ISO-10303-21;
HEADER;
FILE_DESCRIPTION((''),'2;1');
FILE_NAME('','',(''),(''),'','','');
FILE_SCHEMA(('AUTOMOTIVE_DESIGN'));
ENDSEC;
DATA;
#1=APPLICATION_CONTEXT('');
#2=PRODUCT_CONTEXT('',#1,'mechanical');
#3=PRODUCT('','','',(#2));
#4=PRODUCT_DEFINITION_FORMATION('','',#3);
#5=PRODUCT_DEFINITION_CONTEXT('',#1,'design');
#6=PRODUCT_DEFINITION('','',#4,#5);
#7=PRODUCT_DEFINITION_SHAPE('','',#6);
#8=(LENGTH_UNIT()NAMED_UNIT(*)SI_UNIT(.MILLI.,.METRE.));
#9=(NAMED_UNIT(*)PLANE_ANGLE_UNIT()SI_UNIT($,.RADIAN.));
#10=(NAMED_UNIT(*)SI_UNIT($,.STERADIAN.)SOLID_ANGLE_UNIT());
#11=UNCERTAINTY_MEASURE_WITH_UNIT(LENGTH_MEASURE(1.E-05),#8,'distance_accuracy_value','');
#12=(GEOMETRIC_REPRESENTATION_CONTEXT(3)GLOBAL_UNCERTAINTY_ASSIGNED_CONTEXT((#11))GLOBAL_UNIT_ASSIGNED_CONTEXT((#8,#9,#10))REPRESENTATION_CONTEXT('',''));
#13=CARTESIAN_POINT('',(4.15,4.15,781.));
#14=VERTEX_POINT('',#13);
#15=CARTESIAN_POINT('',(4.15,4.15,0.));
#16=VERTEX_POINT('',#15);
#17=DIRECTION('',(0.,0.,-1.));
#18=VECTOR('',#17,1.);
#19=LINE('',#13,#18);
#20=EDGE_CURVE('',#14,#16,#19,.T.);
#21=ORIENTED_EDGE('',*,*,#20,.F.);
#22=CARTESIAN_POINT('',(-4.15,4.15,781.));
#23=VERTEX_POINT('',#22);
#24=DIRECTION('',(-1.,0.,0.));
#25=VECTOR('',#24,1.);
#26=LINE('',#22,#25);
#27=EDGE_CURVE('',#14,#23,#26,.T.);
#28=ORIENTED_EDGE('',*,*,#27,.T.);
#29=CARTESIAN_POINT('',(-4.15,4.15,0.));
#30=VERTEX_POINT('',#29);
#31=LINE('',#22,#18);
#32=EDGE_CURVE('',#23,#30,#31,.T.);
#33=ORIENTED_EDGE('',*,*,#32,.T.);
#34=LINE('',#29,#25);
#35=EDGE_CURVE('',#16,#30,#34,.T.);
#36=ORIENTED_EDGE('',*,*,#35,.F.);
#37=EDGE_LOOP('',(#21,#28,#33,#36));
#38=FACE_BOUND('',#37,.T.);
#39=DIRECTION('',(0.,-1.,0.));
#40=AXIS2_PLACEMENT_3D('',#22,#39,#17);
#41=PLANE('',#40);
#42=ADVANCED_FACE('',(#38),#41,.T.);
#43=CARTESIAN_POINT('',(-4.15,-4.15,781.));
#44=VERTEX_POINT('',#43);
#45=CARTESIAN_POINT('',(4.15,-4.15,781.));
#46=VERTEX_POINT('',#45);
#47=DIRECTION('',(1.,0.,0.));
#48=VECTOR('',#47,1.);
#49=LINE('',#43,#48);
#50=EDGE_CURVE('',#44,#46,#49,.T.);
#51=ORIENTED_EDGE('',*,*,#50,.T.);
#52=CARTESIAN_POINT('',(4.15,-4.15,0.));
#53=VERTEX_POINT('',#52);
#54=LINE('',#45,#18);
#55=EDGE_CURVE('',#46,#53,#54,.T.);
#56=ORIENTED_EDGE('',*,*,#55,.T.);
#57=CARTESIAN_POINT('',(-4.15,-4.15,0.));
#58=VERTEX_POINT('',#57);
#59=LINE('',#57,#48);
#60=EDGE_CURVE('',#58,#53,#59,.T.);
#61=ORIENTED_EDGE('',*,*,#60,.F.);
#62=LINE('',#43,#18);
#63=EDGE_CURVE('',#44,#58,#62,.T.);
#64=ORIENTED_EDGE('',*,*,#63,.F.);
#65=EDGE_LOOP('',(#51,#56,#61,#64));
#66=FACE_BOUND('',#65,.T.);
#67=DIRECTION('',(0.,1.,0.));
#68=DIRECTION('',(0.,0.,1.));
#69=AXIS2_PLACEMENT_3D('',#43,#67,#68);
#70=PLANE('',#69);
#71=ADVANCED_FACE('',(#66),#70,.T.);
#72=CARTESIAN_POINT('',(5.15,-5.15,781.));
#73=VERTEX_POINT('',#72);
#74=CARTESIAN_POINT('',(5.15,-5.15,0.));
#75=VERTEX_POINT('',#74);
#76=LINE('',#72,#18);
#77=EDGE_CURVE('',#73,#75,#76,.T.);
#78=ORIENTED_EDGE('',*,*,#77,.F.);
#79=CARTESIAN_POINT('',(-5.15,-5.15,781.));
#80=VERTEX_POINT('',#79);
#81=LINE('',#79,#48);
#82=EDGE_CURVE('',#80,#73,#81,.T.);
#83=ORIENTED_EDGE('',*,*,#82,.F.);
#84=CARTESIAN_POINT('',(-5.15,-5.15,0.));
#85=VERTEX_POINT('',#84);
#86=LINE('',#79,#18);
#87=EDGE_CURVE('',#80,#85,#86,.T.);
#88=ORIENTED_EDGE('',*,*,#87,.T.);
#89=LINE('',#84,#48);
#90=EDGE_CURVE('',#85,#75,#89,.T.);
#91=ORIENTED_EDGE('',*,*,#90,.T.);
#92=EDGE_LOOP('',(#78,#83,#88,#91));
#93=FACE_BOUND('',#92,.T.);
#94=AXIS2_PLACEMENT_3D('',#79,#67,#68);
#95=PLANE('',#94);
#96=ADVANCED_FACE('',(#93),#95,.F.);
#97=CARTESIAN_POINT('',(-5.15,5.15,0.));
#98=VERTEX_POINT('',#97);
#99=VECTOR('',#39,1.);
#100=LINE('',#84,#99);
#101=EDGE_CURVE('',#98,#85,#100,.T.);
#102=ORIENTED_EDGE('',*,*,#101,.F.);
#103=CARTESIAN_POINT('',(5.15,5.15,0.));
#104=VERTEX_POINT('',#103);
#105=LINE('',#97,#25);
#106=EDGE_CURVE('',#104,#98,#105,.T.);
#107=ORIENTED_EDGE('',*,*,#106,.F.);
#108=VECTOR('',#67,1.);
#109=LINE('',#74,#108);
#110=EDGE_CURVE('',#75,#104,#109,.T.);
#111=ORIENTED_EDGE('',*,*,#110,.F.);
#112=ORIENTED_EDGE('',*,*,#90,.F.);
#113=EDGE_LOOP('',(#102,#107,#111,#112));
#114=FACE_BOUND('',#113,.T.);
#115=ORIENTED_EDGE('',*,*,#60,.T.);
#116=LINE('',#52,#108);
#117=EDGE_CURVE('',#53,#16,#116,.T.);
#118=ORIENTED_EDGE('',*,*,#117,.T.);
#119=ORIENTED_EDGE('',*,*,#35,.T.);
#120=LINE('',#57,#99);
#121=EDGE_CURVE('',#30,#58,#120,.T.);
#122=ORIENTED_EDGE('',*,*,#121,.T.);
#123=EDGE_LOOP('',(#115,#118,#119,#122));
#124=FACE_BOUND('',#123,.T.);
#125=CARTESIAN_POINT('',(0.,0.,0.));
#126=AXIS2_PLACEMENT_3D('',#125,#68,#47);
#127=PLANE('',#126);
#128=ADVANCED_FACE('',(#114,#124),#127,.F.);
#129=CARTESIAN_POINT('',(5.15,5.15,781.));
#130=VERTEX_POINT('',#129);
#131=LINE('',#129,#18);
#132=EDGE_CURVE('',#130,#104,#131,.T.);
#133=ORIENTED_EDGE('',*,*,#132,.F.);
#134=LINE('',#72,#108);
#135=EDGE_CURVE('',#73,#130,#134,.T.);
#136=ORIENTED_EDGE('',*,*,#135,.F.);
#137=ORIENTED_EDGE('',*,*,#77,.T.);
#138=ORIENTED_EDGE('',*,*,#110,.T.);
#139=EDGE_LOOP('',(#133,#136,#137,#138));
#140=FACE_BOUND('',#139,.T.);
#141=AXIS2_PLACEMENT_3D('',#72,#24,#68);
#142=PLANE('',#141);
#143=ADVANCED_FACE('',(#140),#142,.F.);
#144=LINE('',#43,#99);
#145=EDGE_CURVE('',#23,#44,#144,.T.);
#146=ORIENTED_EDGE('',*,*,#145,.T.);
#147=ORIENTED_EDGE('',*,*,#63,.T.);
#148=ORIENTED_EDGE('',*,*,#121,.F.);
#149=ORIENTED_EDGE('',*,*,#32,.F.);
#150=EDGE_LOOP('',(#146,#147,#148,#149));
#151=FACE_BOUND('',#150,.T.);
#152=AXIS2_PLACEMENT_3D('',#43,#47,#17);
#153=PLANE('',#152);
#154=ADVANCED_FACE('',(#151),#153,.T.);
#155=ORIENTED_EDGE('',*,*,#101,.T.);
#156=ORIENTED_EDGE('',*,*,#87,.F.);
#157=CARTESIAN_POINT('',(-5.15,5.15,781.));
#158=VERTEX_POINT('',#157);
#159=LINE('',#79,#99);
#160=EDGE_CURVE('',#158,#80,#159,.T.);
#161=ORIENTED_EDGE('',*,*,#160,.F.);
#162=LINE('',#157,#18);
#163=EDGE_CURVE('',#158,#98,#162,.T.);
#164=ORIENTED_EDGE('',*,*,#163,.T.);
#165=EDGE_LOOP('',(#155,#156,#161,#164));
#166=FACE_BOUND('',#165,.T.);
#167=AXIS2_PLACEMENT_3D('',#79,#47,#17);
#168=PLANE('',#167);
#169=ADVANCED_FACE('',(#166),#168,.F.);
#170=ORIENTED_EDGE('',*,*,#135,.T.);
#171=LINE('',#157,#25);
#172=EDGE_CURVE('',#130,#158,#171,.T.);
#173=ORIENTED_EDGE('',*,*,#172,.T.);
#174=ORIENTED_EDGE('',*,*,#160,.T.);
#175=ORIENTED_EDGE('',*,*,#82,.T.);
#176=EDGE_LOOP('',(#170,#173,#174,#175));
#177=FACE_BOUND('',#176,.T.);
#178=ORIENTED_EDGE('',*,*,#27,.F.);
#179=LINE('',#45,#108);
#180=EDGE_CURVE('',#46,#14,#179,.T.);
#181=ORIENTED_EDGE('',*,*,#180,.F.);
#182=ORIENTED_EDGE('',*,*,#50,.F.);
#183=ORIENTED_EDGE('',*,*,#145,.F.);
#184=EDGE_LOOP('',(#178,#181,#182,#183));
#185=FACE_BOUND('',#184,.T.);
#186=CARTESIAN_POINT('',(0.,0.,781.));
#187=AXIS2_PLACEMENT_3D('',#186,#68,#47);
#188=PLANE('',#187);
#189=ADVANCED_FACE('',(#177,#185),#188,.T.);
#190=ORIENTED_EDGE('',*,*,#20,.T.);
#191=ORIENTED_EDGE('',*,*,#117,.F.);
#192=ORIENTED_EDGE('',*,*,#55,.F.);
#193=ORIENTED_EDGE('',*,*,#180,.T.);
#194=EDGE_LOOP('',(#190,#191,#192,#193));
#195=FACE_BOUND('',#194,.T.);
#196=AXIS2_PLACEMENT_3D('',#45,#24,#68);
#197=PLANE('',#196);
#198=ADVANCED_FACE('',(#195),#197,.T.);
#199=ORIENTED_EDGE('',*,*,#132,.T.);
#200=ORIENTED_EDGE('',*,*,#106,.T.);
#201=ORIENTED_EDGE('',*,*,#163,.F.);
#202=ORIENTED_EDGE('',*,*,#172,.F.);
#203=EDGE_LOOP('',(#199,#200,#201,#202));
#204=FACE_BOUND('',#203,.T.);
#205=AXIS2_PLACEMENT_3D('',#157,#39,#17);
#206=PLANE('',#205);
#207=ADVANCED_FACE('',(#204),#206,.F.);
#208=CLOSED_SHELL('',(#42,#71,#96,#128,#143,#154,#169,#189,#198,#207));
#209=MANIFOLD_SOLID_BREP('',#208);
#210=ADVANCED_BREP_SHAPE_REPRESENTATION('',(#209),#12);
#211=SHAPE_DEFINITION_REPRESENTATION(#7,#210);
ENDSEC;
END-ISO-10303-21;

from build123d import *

# Parameters (mm, degrees)
SKETCH1_W           = 10.3
SKETCH1_H           = 10.3
SKETCH1_W_2         = 8.3
SKETCH1_H_2         = 8.3
BOSS_EXTRUDE1_DEPTH = 781


with BuildPart() as part:
    # Sketch1 → Boss-Extrude1 (new body)
    with BuildSketch(Plane.XY):
        Rectangle(SKETCH1_W, SKETCH1_H)
        Rectangle(SKETCH1_W_2, SKETCH1_H_2, mode=Mode.SUBTRACT)
    extrude(amount=BOSS_EXTRUDE1_DEPTH)


solid = part.part
